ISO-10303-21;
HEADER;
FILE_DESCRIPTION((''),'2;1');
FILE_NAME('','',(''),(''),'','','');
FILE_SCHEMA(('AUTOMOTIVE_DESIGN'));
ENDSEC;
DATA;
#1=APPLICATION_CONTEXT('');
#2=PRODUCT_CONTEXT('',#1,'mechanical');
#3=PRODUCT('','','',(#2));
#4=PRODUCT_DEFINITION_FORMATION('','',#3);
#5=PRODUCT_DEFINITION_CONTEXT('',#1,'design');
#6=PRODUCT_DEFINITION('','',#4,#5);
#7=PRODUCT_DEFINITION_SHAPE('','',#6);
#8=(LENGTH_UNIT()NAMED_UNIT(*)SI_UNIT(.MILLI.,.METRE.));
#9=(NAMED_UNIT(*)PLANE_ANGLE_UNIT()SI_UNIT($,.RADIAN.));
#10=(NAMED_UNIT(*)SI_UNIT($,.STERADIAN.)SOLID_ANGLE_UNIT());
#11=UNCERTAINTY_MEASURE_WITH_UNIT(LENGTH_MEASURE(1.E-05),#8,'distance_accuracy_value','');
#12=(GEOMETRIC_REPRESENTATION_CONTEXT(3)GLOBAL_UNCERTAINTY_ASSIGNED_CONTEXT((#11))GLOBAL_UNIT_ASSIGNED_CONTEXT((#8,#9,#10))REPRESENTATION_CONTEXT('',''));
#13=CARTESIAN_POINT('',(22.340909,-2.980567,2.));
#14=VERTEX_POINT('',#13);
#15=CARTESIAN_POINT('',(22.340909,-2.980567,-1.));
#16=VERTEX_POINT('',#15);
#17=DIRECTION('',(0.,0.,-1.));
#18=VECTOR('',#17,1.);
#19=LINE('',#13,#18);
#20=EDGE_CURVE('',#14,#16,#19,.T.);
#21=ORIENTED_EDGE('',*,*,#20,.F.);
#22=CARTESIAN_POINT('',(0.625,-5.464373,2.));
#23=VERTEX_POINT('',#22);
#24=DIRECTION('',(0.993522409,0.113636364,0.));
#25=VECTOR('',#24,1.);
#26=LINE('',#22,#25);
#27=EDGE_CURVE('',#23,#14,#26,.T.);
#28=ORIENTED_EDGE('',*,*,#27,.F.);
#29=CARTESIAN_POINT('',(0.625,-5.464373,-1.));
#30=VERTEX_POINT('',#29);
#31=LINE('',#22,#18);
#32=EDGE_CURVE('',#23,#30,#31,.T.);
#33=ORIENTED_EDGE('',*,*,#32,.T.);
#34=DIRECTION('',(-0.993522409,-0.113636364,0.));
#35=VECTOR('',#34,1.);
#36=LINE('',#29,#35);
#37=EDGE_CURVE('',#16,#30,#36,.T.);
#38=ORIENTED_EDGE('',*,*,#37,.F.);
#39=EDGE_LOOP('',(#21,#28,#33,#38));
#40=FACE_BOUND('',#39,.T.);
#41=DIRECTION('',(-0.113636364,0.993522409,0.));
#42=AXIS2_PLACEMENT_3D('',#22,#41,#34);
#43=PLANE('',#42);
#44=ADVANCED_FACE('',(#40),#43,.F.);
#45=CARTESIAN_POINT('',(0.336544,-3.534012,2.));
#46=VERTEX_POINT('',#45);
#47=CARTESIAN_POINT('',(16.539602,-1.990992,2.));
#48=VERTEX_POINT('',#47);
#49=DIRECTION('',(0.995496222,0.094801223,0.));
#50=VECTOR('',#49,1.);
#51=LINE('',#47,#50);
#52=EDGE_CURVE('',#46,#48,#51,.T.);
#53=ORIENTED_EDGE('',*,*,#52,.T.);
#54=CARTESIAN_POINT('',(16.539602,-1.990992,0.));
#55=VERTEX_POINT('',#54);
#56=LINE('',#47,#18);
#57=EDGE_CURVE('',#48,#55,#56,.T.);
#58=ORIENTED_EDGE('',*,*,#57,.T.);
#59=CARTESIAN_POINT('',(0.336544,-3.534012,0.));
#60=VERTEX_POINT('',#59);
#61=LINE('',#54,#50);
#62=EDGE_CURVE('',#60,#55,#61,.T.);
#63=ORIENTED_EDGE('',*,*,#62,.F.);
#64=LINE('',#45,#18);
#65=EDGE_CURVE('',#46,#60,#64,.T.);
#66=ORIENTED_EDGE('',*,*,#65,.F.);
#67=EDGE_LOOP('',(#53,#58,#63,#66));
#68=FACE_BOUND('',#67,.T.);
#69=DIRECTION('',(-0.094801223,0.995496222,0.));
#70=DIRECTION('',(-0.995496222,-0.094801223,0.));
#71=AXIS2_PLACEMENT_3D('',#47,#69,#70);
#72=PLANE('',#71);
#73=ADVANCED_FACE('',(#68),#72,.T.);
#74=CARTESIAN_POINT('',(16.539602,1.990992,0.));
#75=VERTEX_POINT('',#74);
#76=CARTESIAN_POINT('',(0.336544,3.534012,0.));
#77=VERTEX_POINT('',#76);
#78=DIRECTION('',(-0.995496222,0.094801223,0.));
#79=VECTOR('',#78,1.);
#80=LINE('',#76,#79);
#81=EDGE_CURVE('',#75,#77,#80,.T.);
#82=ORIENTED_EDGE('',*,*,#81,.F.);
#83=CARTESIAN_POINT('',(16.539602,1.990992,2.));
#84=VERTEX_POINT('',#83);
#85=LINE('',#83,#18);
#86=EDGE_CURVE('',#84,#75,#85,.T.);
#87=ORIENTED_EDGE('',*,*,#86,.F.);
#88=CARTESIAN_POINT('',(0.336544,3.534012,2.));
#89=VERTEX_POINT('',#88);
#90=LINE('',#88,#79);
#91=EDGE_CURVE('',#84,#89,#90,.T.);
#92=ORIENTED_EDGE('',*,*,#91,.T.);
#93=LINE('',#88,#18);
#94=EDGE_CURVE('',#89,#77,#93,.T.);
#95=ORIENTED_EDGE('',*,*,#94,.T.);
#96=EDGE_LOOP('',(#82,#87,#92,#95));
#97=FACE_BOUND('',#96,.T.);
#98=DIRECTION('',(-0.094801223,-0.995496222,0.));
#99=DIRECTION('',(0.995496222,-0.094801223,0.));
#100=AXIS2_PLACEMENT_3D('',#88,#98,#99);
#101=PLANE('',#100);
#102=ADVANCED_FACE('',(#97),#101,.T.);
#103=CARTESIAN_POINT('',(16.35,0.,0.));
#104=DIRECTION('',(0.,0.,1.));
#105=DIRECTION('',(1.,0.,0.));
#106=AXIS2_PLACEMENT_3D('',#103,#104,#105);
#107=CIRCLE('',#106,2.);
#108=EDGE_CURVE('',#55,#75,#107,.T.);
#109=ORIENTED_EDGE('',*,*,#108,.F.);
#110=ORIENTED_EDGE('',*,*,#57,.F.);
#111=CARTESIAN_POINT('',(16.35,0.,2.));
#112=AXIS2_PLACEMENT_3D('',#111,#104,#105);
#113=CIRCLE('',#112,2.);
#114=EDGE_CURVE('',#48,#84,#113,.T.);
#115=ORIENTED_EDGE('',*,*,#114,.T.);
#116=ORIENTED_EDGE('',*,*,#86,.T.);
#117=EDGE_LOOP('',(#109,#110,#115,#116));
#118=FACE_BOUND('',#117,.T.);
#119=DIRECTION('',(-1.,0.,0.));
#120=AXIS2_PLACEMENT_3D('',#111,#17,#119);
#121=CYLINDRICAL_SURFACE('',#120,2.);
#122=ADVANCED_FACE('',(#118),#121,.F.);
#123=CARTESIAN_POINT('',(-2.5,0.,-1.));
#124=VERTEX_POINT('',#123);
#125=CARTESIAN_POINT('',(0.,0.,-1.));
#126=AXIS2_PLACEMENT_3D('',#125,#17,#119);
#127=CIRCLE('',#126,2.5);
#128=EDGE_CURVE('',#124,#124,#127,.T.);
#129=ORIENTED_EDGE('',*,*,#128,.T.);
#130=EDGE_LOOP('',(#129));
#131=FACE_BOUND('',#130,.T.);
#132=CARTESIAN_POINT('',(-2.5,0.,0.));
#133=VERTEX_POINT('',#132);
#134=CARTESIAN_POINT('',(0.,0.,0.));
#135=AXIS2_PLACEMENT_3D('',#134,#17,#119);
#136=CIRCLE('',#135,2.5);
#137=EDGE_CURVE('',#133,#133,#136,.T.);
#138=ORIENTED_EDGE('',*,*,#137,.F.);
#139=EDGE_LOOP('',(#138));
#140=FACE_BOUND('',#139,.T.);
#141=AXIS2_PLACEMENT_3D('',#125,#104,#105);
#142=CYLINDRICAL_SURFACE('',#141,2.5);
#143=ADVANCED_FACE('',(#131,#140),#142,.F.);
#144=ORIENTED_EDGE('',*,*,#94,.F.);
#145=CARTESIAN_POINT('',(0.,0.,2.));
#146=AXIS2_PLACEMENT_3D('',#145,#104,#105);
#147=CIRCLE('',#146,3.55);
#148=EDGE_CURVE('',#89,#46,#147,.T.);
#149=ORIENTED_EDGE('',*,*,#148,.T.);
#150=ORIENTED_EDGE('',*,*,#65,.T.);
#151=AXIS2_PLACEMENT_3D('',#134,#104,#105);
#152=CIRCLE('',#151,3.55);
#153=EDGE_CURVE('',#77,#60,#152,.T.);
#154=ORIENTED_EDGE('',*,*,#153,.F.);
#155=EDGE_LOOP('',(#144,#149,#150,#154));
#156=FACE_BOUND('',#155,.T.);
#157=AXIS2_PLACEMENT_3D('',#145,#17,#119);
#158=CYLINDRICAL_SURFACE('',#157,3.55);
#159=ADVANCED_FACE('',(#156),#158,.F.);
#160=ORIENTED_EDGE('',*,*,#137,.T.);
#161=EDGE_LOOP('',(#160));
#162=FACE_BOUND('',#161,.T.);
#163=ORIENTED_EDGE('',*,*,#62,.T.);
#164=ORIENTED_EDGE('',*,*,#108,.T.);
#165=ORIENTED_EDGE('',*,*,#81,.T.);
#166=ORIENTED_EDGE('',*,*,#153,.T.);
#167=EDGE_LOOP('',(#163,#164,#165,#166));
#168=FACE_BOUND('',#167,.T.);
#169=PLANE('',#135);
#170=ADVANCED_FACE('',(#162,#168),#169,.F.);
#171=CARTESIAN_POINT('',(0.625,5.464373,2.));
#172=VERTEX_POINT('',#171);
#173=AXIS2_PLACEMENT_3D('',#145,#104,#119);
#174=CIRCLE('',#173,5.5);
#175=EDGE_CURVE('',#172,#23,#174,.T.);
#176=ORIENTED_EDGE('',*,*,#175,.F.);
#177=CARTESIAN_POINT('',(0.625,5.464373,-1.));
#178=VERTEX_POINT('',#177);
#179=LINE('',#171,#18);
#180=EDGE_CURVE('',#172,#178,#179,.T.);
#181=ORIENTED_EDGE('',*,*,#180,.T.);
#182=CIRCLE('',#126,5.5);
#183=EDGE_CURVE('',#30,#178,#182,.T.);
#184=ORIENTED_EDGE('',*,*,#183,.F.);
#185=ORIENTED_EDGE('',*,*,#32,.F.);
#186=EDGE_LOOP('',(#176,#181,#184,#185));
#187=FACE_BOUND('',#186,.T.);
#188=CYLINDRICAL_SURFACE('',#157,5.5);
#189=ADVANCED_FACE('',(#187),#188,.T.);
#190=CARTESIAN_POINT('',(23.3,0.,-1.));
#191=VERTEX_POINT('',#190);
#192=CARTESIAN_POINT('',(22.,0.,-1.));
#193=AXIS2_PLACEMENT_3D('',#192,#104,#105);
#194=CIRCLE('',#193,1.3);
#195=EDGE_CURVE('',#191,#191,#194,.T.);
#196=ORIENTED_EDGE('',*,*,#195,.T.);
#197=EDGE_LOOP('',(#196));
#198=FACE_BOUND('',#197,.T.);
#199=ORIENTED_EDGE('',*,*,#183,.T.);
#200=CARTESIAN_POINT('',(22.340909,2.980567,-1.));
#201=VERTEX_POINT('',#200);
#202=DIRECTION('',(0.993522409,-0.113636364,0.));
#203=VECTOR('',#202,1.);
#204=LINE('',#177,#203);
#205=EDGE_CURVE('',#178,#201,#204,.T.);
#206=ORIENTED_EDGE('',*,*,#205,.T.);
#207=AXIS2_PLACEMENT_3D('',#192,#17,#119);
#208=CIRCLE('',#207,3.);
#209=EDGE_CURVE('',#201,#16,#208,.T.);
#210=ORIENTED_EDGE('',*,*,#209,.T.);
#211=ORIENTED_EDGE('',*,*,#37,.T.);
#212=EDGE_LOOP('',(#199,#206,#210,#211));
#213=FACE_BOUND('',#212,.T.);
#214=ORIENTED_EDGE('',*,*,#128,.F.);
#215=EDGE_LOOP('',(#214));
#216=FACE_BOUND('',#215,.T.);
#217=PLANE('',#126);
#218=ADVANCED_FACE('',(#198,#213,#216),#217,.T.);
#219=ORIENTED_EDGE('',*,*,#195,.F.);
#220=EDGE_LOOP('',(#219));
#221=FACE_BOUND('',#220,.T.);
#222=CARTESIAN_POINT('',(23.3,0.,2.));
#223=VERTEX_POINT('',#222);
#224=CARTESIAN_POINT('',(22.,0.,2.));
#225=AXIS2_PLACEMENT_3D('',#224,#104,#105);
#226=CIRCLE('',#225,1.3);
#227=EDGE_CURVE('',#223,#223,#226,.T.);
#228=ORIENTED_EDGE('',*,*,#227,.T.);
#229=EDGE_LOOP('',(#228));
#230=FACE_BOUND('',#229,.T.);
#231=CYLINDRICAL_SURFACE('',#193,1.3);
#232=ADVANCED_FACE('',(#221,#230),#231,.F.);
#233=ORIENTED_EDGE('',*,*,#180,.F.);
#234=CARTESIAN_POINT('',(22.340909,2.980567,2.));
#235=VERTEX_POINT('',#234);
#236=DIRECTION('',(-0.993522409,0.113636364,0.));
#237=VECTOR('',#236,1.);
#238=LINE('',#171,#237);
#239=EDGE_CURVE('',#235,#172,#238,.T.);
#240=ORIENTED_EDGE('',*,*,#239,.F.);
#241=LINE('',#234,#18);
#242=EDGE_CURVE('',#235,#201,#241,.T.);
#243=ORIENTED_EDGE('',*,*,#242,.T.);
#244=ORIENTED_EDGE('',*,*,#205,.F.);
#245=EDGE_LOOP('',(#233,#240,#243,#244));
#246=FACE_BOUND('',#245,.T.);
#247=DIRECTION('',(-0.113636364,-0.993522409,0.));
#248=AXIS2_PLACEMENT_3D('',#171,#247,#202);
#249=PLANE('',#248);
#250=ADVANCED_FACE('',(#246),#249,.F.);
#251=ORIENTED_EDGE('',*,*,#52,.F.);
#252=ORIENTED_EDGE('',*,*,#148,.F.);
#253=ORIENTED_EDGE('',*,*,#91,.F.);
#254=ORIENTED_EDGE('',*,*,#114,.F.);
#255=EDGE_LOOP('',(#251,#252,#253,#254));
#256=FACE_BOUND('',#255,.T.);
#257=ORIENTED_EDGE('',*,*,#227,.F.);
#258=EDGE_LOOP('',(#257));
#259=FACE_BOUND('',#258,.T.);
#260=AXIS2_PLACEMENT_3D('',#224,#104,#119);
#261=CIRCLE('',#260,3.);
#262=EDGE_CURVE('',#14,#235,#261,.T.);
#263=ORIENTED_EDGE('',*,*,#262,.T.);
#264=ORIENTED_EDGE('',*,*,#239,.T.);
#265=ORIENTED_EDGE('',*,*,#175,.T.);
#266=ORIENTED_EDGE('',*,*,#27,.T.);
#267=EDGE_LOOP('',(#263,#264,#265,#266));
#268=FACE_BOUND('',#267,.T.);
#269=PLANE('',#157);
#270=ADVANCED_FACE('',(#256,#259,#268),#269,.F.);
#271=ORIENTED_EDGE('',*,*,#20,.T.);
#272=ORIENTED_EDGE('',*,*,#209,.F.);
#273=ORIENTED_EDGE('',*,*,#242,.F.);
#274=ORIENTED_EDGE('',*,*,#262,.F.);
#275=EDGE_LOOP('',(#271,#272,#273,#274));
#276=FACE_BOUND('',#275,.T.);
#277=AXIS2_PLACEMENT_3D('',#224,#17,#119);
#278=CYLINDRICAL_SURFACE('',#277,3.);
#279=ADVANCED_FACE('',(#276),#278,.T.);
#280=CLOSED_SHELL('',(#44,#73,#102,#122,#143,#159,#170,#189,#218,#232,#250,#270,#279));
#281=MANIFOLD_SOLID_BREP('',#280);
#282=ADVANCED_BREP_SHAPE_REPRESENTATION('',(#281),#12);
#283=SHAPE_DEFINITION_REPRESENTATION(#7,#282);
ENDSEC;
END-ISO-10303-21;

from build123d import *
from build123d.topology import SkipClean

# Parameters (mm, degrees)
MAIN_DEPTH            = 2
ESQUISSE2_R           = 2.5
ORIGINALBRACKET_DEPTH = 1
ESQUISSE3_R           = 1.3
FIXINGHOLE_DEPTH      = 26.773047938


with BuildPart() as part:
    # Esquisse1 → Main (new body)
    with BuildSketch(Plane.XY):
        with BuildLine():
            Line((0.625, 5.464373249), (22.340909091, 2.980567227))
            ThreePointArc((22.340909091, 2.980567227), (25, 0), (22.340909091, -2.980567227))
            Line((22.340909091, -2.980567227), (0.625, -5.464373249))
            ThreePointArc((0.625, -5.464373249), (-5.5, 0), (0.625, 5.464373249))
        make_face()
        with BuildLine():
            Line((0.336544343, 3.534011588), (16.539602446, 1.990992444))
            ThreePointArc((16.539602446, 1.990992444), (18.35, 0), (16.539602446, -1.990992444))
            Line((16.539602446, -1.990992444), (0.336544343, -3.534011588))
            ThreePointArc((0.336544343, -3.534011588), (-3.55, 0), (0.336544343, 3.534011588))
        make_face(mode=Mode.SUBTRACT)
    extrude(amount=MAIN_DEPTH)

    # Esquisse2 → OriginalBracket (add)
    with SkipClean():  # the faces are left unmerged after this step: merging them gives an invalid solid
        with BuildSketch(Plane(origin=(0, 0, 0), x_dir=(-1, 0, 0), z_dir=(0, 0, -1))):
            with BuildLine():
                Line((-0.625, -5.464373249), (-22.340909091, -2.980567227))
                ThreePointArc((-22.340909091, -2.980567227), (-25, 0), (-22.340909091, 2.980567227))
                Line((-22.340909091, 2.980567227), (-0.625, 5.464373249))
                ThreePointArc((-0.625, 5.464373249), (5.5, 0), (-0.625, -5.464373249))
            make_face()
            Circle(ESQUISSE2_R, mode=Mode.SUBTRACT)
        extrude(amount=ORIGINALBRACKET_DEPTH)

    # Esquisse3 → FixingHole (cut, through all)
    with SkipClean():  # the faces are left unmerged after this step: merging them gives an invalid solid
        with BuildSketch(Plane.XY.offset(2)):
            with Locations((22, 0)):
                Circle(ESQUISSE3_R)
        extrude(amount=-FIXINGHOLE_DEPTH, mode=Mode.SUBTRACT)


solid = part.part
